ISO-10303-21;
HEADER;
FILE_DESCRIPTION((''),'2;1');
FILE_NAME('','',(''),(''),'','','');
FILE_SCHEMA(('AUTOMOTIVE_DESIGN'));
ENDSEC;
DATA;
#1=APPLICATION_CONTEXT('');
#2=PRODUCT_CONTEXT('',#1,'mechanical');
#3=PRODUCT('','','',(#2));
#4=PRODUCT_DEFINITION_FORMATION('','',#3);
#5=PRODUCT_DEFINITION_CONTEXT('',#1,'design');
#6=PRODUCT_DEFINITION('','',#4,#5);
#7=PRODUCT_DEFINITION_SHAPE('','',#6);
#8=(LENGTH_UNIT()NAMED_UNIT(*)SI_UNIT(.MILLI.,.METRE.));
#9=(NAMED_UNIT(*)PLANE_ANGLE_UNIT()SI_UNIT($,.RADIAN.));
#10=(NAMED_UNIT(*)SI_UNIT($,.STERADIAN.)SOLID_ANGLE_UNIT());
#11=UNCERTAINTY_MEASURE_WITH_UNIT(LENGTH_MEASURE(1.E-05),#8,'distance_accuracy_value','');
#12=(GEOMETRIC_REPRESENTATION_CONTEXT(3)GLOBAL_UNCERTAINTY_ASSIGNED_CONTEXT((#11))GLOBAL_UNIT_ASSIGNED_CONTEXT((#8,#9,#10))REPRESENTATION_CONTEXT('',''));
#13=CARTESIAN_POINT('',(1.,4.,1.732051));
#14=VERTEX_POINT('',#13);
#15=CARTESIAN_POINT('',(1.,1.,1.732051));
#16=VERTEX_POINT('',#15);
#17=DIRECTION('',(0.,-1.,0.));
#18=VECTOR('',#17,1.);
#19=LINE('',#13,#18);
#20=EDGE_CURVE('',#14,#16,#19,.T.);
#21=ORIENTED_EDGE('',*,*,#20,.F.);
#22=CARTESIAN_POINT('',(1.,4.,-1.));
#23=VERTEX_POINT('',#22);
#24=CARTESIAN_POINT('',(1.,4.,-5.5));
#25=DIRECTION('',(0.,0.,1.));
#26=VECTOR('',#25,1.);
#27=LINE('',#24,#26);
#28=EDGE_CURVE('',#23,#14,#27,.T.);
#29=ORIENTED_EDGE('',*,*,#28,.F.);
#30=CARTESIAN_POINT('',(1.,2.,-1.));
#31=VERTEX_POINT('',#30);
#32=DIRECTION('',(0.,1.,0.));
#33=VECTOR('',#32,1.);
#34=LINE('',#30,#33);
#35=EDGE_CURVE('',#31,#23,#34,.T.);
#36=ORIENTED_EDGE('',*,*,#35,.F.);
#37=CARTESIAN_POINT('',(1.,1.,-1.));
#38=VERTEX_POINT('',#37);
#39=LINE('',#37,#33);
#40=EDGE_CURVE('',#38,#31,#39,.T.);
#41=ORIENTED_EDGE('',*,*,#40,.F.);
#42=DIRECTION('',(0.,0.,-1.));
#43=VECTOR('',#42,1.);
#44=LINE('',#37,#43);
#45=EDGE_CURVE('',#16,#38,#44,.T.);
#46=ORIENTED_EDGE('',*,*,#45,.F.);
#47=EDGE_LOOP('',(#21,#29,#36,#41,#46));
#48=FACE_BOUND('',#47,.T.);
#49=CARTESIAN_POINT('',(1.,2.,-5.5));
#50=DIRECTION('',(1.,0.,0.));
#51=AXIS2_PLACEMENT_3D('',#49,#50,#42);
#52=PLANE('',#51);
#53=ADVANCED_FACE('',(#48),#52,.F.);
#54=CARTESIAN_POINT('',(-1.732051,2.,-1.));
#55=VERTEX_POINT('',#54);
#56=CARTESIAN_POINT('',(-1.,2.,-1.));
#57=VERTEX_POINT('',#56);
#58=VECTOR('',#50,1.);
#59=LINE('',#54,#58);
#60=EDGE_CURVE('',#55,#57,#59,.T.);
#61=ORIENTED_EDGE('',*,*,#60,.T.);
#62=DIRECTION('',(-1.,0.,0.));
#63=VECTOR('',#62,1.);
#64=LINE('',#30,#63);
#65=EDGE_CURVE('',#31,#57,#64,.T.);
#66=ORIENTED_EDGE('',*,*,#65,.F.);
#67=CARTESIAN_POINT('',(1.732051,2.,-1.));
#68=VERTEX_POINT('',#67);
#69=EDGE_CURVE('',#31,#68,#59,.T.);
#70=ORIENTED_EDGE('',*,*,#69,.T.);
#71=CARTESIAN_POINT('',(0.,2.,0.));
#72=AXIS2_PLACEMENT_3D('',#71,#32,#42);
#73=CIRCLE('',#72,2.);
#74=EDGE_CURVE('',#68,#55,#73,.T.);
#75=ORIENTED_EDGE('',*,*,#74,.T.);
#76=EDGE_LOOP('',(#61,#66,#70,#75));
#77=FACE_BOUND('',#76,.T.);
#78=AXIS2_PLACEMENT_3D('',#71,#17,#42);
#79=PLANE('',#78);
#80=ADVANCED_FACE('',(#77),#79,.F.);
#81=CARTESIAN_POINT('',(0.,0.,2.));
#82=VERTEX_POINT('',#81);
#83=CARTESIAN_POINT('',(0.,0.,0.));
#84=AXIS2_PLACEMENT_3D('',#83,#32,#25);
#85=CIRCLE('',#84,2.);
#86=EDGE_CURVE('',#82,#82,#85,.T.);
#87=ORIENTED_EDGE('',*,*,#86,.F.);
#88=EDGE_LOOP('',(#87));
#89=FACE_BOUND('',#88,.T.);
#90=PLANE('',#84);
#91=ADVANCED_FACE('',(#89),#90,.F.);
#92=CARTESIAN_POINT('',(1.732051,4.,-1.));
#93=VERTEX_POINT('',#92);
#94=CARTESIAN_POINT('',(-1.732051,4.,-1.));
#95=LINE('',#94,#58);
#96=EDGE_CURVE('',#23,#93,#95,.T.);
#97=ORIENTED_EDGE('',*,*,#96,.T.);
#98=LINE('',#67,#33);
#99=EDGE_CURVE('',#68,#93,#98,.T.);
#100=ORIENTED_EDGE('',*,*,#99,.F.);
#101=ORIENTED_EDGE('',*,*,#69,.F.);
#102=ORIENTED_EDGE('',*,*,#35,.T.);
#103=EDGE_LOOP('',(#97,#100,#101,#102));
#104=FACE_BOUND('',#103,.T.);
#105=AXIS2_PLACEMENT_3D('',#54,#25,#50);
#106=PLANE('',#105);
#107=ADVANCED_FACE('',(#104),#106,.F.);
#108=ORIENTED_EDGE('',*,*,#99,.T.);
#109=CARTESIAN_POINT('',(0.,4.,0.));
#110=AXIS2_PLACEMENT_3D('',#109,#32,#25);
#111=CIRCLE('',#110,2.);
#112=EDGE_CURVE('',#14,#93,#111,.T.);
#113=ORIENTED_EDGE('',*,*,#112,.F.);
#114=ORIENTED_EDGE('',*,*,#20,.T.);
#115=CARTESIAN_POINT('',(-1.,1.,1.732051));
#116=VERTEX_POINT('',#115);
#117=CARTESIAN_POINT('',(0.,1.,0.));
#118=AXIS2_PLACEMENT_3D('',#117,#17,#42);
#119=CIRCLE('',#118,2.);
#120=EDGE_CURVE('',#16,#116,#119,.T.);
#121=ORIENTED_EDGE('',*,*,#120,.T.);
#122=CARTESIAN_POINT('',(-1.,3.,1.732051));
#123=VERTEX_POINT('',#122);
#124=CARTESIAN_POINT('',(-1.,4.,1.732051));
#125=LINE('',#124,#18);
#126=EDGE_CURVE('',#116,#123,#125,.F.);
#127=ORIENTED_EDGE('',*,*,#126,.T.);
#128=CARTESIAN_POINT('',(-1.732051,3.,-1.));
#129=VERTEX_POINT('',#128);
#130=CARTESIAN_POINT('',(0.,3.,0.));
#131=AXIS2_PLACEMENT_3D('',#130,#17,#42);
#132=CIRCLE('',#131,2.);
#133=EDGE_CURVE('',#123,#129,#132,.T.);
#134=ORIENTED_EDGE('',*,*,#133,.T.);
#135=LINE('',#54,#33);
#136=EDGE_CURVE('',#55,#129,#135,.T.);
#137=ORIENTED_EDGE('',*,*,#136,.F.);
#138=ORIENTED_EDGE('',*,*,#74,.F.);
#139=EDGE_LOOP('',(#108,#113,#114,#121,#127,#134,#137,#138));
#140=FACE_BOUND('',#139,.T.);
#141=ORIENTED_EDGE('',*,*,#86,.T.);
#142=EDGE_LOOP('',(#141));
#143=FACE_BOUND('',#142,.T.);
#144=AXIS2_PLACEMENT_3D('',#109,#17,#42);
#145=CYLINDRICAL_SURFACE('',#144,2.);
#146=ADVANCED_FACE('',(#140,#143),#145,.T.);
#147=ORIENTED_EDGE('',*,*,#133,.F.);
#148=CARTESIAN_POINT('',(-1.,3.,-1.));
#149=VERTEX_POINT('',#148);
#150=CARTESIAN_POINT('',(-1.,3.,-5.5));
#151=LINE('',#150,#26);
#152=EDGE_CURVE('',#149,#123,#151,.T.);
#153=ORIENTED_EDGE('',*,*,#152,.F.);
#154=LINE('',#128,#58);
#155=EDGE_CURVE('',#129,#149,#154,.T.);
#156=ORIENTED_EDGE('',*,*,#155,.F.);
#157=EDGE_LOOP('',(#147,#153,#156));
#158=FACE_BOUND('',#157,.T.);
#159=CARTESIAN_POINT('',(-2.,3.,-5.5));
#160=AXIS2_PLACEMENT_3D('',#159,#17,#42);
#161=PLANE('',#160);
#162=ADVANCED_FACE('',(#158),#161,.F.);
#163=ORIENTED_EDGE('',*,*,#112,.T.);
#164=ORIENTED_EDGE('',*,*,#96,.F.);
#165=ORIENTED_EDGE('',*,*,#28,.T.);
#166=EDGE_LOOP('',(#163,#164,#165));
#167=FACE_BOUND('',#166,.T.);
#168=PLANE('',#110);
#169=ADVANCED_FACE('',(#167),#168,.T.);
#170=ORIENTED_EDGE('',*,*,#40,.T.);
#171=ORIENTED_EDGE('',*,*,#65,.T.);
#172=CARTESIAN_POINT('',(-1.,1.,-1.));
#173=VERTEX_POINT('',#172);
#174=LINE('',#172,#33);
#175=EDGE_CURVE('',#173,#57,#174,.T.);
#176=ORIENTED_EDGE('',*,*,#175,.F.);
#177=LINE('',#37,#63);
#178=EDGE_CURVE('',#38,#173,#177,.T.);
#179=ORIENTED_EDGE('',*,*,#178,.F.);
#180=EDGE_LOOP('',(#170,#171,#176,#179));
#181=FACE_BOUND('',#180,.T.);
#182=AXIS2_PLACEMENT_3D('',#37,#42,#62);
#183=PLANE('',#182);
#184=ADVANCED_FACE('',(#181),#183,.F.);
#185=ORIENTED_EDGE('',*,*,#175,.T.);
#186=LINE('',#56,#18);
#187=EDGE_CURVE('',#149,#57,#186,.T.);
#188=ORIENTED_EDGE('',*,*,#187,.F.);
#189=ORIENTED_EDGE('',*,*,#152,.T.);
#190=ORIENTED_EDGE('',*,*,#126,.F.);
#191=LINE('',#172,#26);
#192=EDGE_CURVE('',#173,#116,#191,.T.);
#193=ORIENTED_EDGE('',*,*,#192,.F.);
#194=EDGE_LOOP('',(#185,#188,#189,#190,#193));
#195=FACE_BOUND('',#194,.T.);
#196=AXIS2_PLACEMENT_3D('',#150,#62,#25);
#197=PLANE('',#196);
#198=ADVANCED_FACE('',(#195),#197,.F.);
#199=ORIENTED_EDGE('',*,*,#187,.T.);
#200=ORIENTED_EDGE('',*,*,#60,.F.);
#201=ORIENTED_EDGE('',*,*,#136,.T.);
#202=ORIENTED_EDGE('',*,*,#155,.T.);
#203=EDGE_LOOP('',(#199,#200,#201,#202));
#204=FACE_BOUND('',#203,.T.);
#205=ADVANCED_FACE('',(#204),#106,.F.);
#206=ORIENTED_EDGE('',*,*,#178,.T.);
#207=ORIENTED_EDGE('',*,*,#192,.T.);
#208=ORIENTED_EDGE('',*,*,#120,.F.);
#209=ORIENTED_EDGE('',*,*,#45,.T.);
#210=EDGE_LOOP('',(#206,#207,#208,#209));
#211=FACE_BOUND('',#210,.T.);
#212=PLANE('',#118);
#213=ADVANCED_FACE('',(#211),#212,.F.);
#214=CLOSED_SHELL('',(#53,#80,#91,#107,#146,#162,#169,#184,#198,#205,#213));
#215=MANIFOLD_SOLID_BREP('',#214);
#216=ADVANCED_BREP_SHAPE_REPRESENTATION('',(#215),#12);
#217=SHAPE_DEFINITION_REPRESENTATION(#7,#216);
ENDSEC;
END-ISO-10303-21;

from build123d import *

# Parameters (mm, degrees)
SKETCH1_R           = 2
BOSS_EXTRUDE1_DEPTH = 4
CUT_EXTRUDE2_DEPTH  = 2
CUT_EXTRUDE3_DEPTH  = 5.5
SKETCH5_W           = 2
SKETCH5_H           = 3.090553664
CUT_EXTRUDE4_DEPTH  = 1


with BuildPart() as part:
    # Sketch1 → Boss-Extrude1 (new body)
    with BuildSketch(Plane(origin=(0, 0, 0), x_dir=(1, 0, 0), z_dir=(0, 1, 0))):
        Circle(SKETCH1_R)
    extrude(amount=BOSS_EXTRUDE1_DEPTH)

    # Sketch3 → Cut-Extrude2 (cut)
    with BuildSketch(Plane(origin=(0, 4, 0), x_dir=(1, 0, 0), z_dir=(0, 1, 0))):
        with BuildLine():
            Line((-1.732050808, 1), (1.732050808, 1))
            ThreePointArc((1.732050808, 1), (0, 2), (-1.732050808, 1))
        make_face()
    extrude(amount=-CUT_EXTRUDE2_DEPTH, mode=Mode.SUBTRACT)

    # Sketch4 → Cut-Extrude3 (cut, symmetric)
    with BuildSketch(Plane.XY):
        Polygon((-2, 3), (-1, 3), (-1, 2), (1, 2), (1, 4), (-2, 4), align=None)
    extrude(amount=CUT_EXTRUDE3_DEPTH, both=True, mode=Mode.SUBTRACT)

    # Sketch5 → Cut-Extrude4 (cut)
    with BuildSketch(Plane(origin=(0, 2, 0), x_dir=(1, 0, 0), z_dir=(0, 1, 0))):
        with Locations((0, -0.545276832)):
            Rectangle(SKETCH5_W, SKETCH5_H)
    extrude(amount=-CUT_EXTRUDE4_DEPTH, mode=Mode.SUBTRACT)


solid = part.part
